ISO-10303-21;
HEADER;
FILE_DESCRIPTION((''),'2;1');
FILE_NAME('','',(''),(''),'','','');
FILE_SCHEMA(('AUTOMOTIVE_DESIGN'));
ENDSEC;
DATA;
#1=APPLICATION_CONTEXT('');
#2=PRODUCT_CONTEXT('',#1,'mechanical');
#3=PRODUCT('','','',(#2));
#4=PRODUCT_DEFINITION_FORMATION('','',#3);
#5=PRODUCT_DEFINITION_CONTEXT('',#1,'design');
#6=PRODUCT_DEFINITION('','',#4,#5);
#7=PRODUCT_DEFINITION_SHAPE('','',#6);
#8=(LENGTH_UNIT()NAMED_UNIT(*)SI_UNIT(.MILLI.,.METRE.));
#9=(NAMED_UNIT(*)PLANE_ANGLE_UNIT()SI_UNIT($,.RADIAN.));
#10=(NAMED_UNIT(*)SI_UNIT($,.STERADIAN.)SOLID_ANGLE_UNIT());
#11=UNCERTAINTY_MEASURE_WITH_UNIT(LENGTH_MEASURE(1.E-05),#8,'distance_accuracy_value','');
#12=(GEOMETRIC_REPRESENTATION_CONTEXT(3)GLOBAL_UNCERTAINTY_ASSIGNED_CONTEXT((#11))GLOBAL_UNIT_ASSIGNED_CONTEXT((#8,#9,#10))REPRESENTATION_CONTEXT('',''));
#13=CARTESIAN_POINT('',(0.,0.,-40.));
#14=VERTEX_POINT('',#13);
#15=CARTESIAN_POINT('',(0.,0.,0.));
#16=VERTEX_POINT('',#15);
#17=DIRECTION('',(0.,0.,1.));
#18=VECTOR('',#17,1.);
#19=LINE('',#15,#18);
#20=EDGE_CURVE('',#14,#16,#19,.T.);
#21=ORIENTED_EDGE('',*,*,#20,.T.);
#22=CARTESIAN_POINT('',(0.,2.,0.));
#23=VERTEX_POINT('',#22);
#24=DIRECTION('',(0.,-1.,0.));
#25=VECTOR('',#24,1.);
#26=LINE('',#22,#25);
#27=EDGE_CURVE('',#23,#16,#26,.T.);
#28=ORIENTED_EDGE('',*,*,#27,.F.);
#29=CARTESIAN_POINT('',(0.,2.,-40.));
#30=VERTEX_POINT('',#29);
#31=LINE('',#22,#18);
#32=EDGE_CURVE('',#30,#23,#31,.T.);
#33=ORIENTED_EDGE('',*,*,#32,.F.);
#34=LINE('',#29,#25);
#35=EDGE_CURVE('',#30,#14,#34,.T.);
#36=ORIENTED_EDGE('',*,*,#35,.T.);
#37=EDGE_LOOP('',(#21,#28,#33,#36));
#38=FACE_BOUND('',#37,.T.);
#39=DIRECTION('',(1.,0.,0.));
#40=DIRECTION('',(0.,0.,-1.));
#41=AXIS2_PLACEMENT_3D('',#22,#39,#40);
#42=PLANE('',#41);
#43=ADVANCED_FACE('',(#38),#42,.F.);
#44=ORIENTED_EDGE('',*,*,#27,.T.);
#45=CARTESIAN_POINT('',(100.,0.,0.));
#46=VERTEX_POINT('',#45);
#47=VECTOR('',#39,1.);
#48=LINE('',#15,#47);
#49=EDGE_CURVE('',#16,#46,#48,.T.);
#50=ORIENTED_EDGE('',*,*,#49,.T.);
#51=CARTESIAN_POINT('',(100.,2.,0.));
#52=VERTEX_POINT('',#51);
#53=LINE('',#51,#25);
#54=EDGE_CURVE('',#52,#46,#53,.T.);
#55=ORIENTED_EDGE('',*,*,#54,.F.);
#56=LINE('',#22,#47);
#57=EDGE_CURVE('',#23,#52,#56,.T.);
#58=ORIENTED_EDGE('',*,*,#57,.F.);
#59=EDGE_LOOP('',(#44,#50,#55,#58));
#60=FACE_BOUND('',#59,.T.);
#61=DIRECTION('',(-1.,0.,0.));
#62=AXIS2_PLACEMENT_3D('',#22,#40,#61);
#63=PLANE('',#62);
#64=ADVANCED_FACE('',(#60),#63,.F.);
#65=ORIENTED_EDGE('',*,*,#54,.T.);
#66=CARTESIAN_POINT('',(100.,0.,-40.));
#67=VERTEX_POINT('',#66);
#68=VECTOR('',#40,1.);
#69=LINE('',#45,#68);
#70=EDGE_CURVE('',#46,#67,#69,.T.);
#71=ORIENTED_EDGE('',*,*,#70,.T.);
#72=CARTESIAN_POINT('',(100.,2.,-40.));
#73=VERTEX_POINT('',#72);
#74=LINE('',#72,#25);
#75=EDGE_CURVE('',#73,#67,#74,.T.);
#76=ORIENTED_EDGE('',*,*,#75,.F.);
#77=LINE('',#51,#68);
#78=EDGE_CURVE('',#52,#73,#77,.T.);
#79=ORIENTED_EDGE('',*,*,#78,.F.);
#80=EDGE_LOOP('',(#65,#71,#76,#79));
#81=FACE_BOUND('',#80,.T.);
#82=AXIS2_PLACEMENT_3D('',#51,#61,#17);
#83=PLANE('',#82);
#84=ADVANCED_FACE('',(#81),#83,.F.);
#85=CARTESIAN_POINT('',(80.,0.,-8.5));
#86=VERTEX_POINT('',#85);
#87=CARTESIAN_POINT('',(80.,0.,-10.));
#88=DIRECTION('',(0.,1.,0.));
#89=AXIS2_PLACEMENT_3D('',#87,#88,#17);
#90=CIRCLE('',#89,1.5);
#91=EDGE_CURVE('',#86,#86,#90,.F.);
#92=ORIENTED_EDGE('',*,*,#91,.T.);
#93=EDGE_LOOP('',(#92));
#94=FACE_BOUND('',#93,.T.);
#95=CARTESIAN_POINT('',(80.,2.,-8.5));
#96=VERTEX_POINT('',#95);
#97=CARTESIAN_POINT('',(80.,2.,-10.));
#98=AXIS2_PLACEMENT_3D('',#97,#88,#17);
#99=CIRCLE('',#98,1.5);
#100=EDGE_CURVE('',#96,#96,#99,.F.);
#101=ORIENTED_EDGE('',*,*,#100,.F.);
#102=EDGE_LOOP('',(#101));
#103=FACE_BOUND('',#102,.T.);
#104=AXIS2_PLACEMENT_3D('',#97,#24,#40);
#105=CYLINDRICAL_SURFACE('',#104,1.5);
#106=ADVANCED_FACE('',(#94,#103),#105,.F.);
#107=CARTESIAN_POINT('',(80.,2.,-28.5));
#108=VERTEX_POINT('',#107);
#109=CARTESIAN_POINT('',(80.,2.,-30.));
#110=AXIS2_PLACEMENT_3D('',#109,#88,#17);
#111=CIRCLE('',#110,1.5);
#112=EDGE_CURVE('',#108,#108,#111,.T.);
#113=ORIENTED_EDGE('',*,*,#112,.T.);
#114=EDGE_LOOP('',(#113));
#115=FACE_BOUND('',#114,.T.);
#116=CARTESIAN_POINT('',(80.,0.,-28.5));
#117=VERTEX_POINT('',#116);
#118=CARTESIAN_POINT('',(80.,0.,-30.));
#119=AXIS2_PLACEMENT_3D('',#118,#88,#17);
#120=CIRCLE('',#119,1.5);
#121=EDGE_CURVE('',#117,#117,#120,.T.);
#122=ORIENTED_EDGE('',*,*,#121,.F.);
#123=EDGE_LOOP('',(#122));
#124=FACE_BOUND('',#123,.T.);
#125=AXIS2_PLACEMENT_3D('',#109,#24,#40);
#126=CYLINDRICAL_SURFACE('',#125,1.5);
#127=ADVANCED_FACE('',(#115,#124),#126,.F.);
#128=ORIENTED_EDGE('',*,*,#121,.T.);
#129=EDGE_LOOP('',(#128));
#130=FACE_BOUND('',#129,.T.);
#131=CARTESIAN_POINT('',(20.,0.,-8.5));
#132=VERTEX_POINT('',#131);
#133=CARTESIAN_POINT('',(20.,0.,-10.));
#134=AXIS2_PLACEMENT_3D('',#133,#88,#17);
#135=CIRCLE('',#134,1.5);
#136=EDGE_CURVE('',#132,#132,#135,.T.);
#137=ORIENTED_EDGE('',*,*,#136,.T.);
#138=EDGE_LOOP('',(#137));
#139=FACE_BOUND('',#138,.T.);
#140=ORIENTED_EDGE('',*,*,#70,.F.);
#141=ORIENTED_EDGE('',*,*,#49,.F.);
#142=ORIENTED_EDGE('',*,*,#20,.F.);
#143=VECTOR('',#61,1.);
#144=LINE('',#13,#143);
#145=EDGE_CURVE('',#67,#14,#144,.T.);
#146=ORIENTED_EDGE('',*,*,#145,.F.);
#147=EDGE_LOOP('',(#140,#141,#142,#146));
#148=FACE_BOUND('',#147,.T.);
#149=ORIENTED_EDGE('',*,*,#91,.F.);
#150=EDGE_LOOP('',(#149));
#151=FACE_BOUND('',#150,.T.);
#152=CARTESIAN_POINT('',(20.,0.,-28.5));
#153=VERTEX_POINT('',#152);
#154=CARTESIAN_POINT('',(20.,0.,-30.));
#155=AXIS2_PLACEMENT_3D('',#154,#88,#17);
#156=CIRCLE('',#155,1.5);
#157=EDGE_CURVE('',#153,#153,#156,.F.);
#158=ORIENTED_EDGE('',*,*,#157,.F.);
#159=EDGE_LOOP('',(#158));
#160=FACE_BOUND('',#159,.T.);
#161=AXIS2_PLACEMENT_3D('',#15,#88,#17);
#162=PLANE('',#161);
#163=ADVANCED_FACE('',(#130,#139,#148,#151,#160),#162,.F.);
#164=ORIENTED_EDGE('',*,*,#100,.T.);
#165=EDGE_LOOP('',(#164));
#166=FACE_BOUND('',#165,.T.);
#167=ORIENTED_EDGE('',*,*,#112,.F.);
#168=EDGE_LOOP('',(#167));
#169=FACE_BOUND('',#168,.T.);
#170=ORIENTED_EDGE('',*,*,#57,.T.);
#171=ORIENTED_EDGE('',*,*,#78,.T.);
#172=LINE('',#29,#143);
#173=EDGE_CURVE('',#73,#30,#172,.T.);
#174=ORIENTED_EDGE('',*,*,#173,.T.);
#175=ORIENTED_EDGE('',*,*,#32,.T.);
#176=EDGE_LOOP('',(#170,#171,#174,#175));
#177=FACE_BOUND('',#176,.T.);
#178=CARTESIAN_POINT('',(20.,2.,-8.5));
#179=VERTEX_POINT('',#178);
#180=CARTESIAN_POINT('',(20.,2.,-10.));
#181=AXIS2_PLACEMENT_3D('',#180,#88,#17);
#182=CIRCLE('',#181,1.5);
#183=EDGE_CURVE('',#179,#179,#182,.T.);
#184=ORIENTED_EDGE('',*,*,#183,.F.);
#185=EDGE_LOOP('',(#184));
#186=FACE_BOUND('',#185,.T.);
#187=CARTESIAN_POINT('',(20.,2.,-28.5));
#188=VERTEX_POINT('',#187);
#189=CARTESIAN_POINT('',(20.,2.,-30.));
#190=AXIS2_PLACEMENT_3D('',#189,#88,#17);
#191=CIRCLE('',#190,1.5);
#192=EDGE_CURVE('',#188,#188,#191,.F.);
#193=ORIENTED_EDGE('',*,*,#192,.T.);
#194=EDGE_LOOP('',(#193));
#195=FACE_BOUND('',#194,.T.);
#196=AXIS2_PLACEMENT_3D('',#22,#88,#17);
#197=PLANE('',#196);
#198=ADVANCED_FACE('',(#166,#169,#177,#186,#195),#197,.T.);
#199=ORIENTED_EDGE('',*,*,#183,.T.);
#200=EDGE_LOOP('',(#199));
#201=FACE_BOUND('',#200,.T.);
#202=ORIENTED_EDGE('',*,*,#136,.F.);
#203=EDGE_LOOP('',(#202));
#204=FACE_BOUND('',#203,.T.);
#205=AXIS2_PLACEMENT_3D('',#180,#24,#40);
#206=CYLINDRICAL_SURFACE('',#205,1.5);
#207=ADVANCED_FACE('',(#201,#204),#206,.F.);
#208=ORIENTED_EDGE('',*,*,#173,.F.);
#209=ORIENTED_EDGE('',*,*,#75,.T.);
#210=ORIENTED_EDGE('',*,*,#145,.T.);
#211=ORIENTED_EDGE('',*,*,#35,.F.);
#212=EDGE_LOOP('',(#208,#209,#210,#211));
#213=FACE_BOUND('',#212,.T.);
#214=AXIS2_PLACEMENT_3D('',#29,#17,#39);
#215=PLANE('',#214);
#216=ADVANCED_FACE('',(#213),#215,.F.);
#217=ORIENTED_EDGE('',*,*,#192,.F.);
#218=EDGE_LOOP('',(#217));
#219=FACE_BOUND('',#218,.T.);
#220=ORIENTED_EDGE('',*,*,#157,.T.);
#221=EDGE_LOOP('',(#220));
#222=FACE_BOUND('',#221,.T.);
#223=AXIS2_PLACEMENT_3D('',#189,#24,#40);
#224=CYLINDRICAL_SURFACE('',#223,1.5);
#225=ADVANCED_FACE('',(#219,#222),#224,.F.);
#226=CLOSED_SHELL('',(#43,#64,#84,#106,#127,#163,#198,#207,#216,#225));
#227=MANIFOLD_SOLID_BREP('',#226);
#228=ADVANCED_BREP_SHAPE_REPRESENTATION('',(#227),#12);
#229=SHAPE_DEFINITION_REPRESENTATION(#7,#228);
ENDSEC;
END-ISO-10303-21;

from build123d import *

# Parameters (mm, degrees)
SKETCH1_W           = 100
SKETCH1_H           = 40
SKETCH1_R           = 1.5
BOSS_EXTRUDE1_DEPTH = 2


with BuildPart() as part:
    # Sketch1 → Boss-Extrude1 (new body)
    with BuildSketch(Plane(origin=(0, 0, 0), x_dir=(1, 0, 0), z_dir=(0, 1, 0))):
        with Locations((50, 20)):
            Rectangle(SKETCH1_W, SKETCH1_H)
        with Locations(Location((80, 30, 0), (0, 0, 270))):
            Circle(SKETCH1_R, mode=Mode.SUBTRACT)
        with Locations(Location((20, 30, 0), (0, 0, 270))):
            Circle(SKETCH1_R, mode=Mode.SUBTRACT)
        with Locations(Location((80, 10, 0), (0, 0, 270))):
            Circle(SKETCH1_R, mode=Mode.SUBTRACT)
        with Locations(Location((20, 10, 0), (0, 0, 270))):
            Circle(SKETCH1_R, mode=Mode.SUBTRACT)
    extrude(amount=BOSS_EXTRUDE1_DEPTH)


solid = part.part
